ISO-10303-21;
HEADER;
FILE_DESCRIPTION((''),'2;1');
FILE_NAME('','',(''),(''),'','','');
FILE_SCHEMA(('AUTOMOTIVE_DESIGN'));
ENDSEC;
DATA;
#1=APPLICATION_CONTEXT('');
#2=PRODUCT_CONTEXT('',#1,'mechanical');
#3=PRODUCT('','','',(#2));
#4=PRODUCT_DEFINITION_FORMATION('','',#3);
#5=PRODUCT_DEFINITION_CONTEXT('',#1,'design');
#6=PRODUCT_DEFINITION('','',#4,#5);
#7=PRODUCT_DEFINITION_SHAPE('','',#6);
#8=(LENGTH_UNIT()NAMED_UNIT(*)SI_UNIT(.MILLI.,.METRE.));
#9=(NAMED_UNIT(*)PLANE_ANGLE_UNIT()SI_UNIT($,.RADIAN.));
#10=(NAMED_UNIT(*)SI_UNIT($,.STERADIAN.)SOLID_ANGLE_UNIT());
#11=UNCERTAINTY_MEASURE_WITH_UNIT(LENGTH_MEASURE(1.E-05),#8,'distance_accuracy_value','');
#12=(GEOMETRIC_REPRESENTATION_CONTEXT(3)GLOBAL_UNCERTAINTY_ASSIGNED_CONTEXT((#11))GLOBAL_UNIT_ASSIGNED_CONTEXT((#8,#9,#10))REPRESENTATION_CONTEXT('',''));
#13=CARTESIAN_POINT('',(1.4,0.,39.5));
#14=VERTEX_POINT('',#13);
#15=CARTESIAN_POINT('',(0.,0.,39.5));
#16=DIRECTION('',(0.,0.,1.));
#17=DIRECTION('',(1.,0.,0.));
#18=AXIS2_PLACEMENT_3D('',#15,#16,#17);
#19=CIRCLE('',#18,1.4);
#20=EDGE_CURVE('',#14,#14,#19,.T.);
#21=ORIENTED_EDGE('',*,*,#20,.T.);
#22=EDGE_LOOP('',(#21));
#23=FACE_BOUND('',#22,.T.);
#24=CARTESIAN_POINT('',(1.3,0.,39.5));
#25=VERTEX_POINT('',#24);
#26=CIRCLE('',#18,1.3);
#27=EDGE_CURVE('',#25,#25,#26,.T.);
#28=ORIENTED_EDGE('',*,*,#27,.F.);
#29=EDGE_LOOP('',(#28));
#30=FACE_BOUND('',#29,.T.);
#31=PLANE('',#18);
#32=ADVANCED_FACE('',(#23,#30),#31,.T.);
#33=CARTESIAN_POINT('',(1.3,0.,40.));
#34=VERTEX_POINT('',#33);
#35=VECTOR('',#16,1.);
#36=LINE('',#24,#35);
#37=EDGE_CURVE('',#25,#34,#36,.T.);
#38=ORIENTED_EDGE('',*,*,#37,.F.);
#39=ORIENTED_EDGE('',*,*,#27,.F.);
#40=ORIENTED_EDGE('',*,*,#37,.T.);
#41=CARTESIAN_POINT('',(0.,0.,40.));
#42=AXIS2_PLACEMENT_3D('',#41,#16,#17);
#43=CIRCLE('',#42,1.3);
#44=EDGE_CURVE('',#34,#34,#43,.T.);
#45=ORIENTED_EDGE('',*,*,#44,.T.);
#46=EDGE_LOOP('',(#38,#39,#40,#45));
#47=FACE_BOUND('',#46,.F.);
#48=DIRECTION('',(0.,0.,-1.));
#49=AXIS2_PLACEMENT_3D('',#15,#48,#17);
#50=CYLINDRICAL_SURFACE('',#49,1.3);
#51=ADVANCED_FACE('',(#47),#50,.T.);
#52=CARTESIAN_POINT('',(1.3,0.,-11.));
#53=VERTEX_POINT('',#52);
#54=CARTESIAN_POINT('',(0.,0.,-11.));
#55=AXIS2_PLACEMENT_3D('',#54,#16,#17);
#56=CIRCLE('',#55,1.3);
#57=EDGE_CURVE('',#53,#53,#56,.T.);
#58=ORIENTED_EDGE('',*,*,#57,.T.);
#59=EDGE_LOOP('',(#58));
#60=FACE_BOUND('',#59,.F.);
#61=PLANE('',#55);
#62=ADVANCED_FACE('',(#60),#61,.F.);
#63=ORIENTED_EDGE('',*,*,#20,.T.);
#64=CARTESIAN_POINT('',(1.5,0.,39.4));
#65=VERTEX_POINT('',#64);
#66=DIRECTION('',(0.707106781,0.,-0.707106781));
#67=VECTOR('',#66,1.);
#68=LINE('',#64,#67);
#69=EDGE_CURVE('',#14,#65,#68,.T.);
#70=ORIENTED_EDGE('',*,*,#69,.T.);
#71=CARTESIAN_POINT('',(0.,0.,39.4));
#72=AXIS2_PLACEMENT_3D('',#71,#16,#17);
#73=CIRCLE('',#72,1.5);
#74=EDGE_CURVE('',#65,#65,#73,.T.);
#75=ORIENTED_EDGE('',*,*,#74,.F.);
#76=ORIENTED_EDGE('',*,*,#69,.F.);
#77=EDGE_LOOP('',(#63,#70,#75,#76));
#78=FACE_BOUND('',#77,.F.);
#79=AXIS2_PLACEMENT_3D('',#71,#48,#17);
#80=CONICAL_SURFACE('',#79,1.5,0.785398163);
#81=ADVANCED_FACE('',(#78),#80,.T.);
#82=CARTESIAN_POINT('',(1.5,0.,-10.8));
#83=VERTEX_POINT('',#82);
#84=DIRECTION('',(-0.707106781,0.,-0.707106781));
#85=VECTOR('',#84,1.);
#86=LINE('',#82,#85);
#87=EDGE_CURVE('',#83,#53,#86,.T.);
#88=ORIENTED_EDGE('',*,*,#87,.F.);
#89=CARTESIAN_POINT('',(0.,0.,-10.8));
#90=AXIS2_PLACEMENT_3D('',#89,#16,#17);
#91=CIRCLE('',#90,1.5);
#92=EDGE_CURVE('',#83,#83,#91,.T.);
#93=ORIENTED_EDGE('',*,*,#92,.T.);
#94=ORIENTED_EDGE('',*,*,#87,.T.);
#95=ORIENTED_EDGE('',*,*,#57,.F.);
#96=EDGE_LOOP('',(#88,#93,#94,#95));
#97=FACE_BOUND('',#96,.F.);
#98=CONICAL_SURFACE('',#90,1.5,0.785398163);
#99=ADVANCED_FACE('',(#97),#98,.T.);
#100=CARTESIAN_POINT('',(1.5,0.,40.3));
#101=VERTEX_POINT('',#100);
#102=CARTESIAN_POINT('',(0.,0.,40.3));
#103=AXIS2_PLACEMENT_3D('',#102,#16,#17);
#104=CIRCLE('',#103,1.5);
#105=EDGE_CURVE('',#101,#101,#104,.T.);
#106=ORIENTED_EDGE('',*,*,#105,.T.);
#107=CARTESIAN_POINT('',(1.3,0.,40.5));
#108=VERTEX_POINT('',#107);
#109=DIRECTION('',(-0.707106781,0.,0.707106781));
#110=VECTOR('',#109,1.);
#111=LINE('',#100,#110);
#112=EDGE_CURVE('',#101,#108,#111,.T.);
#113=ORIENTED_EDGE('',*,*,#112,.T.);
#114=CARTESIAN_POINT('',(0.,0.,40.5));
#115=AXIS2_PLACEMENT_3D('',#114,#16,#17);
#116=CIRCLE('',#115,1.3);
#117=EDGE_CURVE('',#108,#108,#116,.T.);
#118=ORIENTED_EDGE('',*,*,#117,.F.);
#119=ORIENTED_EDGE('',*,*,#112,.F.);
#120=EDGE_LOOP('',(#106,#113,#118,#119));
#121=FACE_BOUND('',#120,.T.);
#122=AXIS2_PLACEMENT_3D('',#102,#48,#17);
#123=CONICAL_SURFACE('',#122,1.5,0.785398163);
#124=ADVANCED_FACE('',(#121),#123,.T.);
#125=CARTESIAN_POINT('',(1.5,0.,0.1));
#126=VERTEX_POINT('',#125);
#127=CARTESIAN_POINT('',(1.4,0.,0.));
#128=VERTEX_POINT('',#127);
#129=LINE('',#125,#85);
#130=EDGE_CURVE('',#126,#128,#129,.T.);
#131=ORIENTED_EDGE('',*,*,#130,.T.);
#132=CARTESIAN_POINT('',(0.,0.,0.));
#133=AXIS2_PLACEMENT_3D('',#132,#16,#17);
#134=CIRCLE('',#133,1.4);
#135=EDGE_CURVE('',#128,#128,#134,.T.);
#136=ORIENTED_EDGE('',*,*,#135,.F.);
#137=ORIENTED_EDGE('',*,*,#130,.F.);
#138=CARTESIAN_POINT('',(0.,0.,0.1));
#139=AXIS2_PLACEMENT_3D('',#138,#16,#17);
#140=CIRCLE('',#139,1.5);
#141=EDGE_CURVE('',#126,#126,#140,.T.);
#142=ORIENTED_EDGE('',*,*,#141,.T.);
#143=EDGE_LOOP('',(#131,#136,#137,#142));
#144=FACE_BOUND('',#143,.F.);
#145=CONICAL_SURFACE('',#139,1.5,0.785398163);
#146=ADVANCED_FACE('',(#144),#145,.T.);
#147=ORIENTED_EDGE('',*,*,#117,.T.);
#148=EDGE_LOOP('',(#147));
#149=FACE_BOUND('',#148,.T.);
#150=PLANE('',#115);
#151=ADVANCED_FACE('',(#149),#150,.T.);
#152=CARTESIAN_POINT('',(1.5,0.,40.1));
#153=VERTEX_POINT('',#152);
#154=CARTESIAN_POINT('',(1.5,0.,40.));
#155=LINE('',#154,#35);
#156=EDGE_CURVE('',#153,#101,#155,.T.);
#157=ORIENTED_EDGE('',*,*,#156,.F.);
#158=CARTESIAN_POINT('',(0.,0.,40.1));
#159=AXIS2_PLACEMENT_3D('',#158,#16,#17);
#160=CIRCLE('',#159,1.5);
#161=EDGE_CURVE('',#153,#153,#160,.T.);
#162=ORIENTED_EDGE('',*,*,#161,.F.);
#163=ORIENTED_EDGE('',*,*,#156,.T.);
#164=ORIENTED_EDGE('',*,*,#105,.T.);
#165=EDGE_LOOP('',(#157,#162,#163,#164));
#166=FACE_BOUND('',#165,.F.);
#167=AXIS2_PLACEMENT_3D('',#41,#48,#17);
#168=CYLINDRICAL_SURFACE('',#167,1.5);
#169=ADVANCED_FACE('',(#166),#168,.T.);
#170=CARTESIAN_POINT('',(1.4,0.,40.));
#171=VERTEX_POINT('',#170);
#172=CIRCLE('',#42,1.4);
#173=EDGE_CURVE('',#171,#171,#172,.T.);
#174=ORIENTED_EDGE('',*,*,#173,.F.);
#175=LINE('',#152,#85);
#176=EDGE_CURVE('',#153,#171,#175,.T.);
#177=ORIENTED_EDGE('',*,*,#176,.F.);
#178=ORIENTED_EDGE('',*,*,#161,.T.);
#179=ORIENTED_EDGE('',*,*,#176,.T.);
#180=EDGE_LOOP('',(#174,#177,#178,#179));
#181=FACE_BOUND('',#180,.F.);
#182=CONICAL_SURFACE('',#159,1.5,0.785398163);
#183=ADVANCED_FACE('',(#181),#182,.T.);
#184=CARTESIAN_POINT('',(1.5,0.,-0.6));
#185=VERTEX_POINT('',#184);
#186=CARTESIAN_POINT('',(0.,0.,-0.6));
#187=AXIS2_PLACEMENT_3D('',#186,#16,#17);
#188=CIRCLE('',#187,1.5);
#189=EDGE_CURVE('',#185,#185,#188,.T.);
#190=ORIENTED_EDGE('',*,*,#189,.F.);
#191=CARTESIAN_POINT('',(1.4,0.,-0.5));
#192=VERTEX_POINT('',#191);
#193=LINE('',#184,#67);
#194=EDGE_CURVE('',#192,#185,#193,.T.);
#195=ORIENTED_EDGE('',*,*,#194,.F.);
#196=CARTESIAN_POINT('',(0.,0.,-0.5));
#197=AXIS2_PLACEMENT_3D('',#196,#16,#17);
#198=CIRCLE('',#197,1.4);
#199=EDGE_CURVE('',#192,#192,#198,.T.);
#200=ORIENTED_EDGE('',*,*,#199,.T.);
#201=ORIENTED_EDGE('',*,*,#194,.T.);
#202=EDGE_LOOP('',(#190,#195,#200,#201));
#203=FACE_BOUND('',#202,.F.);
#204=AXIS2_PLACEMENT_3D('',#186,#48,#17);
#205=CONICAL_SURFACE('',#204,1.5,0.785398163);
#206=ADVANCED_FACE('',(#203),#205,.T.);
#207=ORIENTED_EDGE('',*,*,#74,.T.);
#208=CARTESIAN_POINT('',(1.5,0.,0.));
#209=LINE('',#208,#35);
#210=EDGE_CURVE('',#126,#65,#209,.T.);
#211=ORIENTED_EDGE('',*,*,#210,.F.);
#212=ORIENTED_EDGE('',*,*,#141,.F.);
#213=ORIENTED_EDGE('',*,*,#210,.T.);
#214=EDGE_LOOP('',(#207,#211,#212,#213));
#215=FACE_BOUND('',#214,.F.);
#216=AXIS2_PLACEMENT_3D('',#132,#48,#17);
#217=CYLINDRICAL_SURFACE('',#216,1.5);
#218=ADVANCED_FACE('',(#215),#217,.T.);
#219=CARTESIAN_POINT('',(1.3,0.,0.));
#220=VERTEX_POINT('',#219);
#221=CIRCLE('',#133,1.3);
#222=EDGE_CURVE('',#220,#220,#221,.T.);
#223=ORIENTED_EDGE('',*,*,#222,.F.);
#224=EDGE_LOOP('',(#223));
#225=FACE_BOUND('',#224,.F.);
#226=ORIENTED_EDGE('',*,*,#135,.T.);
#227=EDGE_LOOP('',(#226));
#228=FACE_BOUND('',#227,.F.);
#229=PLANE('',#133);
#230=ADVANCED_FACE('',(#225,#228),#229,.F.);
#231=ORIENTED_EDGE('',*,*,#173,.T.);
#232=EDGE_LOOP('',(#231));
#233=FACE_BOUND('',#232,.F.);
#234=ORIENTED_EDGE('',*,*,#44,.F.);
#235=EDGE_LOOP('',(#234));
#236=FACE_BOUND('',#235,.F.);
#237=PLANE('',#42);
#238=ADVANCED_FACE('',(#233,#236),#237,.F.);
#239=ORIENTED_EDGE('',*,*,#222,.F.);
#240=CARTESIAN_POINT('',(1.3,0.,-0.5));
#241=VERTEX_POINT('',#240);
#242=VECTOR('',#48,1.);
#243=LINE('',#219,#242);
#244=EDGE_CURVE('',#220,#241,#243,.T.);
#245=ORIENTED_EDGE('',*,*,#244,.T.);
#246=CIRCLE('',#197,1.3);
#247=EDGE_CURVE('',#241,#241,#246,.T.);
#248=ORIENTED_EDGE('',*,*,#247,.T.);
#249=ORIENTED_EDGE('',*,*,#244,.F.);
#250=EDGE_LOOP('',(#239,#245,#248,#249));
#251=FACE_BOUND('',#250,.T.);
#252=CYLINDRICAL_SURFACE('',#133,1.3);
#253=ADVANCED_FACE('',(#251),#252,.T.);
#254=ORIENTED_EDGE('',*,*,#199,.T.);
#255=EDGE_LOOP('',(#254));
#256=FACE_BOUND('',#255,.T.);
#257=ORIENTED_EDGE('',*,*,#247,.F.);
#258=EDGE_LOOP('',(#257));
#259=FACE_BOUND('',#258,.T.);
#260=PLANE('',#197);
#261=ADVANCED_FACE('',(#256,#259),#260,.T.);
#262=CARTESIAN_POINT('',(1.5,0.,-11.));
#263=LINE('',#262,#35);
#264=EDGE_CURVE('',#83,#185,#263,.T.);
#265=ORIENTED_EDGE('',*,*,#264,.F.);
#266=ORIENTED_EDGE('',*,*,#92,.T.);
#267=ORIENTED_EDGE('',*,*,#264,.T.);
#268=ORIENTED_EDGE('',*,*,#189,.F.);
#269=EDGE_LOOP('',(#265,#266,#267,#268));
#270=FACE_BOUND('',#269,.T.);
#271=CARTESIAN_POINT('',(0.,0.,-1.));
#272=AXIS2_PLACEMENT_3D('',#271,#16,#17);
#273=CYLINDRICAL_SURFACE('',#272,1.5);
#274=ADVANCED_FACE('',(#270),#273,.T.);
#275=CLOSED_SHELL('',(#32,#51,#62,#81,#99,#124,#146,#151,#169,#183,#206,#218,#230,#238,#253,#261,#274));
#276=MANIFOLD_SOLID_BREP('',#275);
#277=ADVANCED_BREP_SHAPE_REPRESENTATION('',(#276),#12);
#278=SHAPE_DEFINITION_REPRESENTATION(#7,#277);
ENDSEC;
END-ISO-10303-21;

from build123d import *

# Parameters (mm, degrees)
F0_R        = 1.5
F0_R_2      = 1.3
F1_DEPTH    = 39.5
F2_DEPTH    = 1
F3_START    = -0.5
F3_DEPTH    = 0.5
F4_DEPTH    = 10
F5_R        = 1.3
F6_DEPTH    = 1
F7_START    = 0.5
F1_FACE_R   = 1.5
F1_FACE_R_2 = 1.3
F7_DEPTH    = 0.5
F8_SIZE     = 0.2
F9_SIZE     = 0.1


with BuildPart() as f1:
    # F0 (on Top) → F1 (new body)
    with BuildSketch(Plane.XY):
        Circle(F0_R)
        Circle(F0_R_2, mode=Mode.SUBTRACT)
        Circle(F0_R_2)
    extrude(amount=F1_DEPTH)

    # F0 (on Top) → F2 (join)
    with BuildSketch(Plane.XY):
        Circle(F0_R_2)
    extrude(amount=-F2_DEPTH)

    # F0 (on Top) → F3 (join)
    with BuildSketch(Plane.XY.offset(F3_START)):
        Circle(F0_R)
        Circle(F0_R_2, mode=Mode.SUBTRACT)
    extrude(amount=-F3_DEPTH)

    # F4 (add): a face of the model
    f4_faces = [f1.faces().sort_by_distance(p)[0] for p in [
        (0, 0, -1),
    ]]
    extrude(f4_faces, amount=F4_DEPTH)

    # F5 (on face) → F6 (join)
    with BuildSketch(Plane.XY.offset(39.5)):
        Circle(F5_R)
    extrude(amount=F6_DEPTH)

    # F1_face (on face) → F7 (join)
    with BuildSketch(Plane.XY.offset(39.5).offset(F7_START)):
        Circle(F1_FACE_R)
        Circle(F1_FACE_R_2, mode=Mode.SUBTRACT)
    extrude(amount=F7_DEPTH)

    # F8
    f8_edges = [f1.edges().sort_by_distance(p)[0] for p in [
        (-1.5, 0, 40.5),
        (-1.5, 0, -11),
    ]]
    chamfer(f8_edges, length=F8_SIZE)

    # F9
    f9_edges = [f1.edges().sort_by_distance(p)[0] for p in [
        (-1.5, 0, 39.5),
        (-1.5, 0, 40),
        (-1.5, 0, 0),
        (-1.5, 0, -0.5),
    ]]
    chamfer(f9_edges, length=F9_SIZE)


solid = f1.part
